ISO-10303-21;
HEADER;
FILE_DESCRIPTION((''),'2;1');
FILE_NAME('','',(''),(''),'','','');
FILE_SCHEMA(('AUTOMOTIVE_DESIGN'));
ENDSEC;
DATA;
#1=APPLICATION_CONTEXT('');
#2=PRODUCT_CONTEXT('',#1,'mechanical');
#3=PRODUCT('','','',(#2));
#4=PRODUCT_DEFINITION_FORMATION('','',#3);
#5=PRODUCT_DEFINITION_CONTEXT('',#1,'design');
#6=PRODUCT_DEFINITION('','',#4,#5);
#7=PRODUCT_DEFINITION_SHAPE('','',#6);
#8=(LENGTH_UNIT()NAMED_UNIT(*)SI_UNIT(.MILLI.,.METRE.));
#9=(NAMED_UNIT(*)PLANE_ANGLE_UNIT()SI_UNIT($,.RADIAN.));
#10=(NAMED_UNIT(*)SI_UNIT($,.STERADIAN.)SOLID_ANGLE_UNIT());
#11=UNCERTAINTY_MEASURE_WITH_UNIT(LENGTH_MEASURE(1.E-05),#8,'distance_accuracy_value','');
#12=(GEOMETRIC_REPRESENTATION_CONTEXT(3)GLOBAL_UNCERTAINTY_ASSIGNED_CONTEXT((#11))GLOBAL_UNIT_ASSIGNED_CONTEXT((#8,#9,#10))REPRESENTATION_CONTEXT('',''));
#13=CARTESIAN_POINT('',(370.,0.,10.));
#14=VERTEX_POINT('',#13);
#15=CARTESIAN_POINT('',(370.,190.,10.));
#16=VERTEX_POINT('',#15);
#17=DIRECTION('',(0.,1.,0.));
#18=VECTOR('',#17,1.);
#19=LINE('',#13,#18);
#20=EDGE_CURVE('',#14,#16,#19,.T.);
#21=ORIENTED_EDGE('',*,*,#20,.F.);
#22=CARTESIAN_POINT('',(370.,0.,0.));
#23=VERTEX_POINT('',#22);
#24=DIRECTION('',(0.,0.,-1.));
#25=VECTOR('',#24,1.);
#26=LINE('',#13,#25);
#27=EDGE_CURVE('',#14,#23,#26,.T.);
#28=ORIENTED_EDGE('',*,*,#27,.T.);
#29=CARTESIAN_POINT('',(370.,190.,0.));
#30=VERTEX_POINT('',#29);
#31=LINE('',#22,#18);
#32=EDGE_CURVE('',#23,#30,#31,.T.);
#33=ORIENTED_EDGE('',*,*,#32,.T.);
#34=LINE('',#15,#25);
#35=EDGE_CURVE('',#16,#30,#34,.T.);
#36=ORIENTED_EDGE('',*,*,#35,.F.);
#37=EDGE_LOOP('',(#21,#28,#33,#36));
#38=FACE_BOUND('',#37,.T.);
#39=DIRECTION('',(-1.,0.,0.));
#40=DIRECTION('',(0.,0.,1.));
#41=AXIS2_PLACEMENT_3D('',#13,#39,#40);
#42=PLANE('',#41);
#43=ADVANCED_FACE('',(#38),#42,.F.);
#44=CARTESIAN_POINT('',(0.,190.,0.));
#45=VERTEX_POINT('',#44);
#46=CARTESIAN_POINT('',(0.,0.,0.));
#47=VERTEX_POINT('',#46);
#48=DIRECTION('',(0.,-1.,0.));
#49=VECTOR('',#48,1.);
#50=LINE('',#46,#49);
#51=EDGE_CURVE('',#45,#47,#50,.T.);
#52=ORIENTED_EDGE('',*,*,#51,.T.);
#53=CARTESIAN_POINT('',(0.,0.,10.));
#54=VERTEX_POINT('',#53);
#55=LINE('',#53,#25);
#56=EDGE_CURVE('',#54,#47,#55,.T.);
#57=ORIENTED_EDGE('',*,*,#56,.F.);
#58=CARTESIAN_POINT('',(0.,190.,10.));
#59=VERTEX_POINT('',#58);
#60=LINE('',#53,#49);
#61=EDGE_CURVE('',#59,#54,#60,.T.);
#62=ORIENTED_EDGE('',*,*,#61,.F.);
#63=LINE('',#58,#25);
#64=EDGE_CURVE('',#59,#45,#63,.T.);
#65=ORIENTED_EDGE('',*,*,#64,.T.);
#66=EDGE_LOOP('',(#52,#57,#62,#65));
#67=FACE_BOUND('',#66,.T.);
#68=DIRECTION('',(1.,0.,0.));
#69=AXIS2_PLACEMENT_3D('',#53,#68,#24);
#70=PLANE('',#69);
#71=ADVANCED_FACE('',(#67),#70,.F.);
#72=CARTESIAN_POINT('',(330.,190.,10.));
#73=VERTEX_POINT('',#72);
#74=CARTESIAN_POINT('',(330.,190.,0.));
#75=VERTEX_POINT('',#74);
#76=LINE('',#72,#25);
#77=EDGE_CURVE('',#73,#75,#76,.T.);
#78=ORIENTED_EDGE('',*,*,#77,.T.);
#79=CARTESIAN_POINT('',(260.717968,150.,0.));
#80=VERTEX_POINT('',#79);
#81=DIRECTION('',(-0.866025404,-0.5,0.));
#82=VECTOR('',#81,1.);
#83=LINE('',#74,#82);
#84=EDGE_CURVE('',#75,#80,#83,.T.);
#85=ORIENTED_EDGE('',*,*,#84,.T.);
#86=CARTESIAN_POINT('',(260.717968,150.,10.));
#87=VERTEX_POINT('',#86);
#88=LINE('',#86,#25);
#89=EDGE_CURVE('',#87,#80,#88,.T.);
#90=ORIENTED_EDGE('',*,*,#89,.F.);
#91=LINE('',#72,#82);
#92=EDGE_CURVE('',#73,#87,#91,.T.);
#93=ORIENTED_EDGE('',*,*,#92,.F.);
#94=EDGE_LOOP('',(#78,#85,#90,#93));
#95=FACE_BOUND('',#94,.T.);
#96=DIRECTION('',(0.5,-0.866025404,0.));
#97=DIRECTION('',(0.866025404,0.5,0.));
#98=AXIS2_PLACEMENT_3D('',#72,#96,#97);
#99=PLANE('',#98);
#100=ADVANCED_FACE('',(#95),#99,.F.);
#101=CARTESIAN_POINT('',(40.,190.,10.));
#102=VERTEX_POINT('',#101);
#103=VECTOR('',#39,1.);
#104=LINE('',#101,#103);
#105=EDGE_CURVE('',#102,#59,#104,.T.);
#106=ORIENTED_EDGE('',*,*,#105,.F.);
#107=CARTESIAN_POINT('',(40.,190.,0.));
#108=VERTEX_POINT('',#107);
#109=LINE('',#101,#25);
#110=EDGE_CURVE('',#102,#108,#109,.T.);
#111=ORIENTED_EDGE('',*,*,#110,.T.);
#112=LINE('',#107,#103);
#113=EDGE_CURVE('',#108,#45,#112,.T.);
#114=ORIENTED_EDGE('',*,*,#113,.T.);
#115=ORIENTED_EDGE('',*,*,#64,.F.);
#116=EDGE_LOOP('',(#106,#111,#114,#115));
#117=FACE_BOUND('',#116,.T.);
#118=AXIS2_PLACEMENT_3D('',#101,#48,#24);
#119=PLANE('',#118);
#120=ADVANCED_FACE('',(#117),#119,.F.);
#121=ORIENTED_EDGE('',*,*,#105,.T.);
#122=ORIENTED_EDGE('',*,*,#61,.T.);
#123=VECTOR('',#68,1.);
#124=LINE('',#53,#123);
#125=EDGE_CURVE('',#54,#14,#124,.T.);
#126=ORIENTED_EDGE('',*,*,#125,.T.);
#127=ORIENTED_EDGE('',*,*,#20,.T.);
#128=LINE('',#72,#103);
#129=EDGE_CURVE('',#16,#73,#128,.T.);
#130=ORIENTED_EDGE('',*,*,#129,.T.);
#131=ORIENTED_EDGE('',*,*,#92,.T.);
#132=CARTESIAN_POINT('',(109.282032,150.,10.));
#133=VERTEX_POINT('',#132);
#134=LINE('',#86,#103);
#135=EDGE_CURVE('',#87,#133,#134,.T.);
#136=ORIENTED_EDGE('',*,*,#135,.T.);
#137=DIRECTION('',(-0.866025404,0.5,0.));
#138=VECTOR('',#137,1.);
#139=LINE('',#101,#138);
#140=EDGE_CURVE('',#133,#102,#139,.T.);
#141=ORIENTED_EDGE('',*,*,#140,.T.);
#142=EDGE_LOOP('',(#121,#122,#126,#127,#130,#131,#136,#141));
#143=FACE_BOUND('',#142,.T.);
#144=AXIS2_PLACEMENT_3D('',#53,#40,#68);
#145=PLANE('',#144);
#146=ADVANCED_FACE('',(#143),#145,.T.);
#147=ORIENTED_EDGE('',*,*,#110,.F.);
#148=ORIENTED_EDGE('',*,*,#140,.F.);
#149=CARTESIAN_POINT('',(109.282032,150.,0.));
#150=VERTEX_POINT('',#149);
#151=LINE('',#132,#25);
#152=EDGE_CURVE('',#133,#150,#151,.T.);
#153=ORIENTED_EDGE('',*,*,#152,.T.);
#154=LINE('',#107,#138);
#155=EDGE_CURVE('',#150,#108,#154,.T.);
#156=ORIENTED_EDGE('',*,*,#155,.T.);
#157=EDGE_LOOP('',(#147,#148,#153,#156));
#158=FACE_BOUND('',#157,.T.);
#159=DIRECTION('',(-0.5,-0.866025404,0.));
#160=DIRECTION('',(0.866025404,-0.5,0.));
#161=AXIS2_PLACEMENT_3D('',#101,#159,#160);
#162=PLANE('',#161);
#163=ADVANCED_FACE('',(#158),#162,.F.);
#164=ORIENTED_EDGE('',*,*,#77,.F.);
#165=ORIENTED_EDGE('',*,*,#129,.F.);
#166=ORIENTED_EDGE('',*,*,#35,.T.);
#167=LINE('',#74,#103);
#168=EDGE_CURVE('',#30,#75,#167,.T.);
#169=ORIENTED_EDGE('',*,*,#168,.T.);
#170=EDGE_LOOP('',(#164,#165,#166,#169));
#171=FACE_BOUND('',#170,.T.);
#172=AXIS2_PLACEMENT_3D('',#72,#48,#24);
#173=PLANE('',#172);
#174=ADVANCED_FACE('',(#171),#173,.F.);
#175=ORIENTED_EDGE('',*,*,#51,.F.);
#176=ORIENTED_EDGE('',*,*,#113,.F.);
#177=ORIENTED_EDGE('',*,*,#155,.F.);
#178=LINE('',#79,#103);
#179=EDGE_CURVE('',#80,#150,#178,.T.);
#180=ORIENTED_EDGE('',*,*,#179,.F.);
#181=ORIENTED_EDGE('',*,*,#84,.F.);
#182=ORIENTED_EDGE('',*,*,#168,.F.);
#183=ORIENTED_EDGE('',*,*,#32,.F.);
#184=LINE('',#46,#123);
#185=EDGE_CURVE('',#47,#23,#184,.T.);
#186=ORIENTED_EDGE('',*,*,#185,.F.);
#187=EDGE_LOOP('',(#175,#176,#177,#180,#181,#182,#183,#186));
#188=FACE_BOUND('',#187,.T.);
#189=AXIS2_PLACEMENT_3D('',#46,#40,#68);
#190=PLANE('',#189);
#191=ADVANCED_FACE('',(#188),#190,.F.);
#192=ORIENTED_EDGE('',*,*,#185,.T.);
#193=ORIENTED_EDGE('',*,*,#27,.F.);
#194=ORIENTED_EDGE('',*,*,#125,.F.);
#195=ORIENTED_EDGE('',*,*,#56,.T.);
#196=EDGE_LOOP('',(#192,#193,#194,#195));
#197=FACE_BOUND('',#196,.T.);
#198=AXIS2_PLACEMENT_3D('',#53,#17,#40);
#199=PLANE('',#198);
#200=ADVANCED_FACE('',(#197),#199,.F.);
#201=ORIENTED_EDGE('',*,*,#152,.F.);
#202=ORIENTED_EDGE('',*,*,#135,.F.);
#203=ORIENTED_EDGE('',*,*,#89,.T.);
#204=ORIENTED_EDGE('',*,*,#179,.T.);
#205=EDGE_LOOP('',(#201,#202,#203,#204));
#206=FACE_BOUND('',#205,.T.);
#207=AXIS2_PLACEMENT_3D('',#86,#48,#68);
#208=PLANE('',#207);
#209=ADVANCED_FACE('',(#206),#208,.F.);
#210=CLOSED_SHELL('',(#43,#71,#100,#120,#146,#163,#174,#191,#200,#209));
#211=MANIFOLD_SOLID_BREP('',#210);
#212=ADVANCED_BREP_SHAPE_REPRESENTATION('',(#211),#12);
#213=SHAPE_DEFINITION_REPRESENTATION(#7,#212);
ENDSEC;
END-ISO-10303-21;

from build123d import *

# Parameters (mm, degrees)
BOSS_EXTRU_1_DEPTH = 10


with BuildPart() as part:
    # Esquisse1 → Boss.-Extru.1 (new body)
    with BuildSketch(Plane.XY):
        Polygon((0, 0), (370, 0), (370, 190), (330, 190), (260.717967697, 150), (109.282032303, 150), (40, 190), (0, 190), align=None)
    extrude(amount=BOSS_EXTRU_1_DEPTH)


solid = part.part
